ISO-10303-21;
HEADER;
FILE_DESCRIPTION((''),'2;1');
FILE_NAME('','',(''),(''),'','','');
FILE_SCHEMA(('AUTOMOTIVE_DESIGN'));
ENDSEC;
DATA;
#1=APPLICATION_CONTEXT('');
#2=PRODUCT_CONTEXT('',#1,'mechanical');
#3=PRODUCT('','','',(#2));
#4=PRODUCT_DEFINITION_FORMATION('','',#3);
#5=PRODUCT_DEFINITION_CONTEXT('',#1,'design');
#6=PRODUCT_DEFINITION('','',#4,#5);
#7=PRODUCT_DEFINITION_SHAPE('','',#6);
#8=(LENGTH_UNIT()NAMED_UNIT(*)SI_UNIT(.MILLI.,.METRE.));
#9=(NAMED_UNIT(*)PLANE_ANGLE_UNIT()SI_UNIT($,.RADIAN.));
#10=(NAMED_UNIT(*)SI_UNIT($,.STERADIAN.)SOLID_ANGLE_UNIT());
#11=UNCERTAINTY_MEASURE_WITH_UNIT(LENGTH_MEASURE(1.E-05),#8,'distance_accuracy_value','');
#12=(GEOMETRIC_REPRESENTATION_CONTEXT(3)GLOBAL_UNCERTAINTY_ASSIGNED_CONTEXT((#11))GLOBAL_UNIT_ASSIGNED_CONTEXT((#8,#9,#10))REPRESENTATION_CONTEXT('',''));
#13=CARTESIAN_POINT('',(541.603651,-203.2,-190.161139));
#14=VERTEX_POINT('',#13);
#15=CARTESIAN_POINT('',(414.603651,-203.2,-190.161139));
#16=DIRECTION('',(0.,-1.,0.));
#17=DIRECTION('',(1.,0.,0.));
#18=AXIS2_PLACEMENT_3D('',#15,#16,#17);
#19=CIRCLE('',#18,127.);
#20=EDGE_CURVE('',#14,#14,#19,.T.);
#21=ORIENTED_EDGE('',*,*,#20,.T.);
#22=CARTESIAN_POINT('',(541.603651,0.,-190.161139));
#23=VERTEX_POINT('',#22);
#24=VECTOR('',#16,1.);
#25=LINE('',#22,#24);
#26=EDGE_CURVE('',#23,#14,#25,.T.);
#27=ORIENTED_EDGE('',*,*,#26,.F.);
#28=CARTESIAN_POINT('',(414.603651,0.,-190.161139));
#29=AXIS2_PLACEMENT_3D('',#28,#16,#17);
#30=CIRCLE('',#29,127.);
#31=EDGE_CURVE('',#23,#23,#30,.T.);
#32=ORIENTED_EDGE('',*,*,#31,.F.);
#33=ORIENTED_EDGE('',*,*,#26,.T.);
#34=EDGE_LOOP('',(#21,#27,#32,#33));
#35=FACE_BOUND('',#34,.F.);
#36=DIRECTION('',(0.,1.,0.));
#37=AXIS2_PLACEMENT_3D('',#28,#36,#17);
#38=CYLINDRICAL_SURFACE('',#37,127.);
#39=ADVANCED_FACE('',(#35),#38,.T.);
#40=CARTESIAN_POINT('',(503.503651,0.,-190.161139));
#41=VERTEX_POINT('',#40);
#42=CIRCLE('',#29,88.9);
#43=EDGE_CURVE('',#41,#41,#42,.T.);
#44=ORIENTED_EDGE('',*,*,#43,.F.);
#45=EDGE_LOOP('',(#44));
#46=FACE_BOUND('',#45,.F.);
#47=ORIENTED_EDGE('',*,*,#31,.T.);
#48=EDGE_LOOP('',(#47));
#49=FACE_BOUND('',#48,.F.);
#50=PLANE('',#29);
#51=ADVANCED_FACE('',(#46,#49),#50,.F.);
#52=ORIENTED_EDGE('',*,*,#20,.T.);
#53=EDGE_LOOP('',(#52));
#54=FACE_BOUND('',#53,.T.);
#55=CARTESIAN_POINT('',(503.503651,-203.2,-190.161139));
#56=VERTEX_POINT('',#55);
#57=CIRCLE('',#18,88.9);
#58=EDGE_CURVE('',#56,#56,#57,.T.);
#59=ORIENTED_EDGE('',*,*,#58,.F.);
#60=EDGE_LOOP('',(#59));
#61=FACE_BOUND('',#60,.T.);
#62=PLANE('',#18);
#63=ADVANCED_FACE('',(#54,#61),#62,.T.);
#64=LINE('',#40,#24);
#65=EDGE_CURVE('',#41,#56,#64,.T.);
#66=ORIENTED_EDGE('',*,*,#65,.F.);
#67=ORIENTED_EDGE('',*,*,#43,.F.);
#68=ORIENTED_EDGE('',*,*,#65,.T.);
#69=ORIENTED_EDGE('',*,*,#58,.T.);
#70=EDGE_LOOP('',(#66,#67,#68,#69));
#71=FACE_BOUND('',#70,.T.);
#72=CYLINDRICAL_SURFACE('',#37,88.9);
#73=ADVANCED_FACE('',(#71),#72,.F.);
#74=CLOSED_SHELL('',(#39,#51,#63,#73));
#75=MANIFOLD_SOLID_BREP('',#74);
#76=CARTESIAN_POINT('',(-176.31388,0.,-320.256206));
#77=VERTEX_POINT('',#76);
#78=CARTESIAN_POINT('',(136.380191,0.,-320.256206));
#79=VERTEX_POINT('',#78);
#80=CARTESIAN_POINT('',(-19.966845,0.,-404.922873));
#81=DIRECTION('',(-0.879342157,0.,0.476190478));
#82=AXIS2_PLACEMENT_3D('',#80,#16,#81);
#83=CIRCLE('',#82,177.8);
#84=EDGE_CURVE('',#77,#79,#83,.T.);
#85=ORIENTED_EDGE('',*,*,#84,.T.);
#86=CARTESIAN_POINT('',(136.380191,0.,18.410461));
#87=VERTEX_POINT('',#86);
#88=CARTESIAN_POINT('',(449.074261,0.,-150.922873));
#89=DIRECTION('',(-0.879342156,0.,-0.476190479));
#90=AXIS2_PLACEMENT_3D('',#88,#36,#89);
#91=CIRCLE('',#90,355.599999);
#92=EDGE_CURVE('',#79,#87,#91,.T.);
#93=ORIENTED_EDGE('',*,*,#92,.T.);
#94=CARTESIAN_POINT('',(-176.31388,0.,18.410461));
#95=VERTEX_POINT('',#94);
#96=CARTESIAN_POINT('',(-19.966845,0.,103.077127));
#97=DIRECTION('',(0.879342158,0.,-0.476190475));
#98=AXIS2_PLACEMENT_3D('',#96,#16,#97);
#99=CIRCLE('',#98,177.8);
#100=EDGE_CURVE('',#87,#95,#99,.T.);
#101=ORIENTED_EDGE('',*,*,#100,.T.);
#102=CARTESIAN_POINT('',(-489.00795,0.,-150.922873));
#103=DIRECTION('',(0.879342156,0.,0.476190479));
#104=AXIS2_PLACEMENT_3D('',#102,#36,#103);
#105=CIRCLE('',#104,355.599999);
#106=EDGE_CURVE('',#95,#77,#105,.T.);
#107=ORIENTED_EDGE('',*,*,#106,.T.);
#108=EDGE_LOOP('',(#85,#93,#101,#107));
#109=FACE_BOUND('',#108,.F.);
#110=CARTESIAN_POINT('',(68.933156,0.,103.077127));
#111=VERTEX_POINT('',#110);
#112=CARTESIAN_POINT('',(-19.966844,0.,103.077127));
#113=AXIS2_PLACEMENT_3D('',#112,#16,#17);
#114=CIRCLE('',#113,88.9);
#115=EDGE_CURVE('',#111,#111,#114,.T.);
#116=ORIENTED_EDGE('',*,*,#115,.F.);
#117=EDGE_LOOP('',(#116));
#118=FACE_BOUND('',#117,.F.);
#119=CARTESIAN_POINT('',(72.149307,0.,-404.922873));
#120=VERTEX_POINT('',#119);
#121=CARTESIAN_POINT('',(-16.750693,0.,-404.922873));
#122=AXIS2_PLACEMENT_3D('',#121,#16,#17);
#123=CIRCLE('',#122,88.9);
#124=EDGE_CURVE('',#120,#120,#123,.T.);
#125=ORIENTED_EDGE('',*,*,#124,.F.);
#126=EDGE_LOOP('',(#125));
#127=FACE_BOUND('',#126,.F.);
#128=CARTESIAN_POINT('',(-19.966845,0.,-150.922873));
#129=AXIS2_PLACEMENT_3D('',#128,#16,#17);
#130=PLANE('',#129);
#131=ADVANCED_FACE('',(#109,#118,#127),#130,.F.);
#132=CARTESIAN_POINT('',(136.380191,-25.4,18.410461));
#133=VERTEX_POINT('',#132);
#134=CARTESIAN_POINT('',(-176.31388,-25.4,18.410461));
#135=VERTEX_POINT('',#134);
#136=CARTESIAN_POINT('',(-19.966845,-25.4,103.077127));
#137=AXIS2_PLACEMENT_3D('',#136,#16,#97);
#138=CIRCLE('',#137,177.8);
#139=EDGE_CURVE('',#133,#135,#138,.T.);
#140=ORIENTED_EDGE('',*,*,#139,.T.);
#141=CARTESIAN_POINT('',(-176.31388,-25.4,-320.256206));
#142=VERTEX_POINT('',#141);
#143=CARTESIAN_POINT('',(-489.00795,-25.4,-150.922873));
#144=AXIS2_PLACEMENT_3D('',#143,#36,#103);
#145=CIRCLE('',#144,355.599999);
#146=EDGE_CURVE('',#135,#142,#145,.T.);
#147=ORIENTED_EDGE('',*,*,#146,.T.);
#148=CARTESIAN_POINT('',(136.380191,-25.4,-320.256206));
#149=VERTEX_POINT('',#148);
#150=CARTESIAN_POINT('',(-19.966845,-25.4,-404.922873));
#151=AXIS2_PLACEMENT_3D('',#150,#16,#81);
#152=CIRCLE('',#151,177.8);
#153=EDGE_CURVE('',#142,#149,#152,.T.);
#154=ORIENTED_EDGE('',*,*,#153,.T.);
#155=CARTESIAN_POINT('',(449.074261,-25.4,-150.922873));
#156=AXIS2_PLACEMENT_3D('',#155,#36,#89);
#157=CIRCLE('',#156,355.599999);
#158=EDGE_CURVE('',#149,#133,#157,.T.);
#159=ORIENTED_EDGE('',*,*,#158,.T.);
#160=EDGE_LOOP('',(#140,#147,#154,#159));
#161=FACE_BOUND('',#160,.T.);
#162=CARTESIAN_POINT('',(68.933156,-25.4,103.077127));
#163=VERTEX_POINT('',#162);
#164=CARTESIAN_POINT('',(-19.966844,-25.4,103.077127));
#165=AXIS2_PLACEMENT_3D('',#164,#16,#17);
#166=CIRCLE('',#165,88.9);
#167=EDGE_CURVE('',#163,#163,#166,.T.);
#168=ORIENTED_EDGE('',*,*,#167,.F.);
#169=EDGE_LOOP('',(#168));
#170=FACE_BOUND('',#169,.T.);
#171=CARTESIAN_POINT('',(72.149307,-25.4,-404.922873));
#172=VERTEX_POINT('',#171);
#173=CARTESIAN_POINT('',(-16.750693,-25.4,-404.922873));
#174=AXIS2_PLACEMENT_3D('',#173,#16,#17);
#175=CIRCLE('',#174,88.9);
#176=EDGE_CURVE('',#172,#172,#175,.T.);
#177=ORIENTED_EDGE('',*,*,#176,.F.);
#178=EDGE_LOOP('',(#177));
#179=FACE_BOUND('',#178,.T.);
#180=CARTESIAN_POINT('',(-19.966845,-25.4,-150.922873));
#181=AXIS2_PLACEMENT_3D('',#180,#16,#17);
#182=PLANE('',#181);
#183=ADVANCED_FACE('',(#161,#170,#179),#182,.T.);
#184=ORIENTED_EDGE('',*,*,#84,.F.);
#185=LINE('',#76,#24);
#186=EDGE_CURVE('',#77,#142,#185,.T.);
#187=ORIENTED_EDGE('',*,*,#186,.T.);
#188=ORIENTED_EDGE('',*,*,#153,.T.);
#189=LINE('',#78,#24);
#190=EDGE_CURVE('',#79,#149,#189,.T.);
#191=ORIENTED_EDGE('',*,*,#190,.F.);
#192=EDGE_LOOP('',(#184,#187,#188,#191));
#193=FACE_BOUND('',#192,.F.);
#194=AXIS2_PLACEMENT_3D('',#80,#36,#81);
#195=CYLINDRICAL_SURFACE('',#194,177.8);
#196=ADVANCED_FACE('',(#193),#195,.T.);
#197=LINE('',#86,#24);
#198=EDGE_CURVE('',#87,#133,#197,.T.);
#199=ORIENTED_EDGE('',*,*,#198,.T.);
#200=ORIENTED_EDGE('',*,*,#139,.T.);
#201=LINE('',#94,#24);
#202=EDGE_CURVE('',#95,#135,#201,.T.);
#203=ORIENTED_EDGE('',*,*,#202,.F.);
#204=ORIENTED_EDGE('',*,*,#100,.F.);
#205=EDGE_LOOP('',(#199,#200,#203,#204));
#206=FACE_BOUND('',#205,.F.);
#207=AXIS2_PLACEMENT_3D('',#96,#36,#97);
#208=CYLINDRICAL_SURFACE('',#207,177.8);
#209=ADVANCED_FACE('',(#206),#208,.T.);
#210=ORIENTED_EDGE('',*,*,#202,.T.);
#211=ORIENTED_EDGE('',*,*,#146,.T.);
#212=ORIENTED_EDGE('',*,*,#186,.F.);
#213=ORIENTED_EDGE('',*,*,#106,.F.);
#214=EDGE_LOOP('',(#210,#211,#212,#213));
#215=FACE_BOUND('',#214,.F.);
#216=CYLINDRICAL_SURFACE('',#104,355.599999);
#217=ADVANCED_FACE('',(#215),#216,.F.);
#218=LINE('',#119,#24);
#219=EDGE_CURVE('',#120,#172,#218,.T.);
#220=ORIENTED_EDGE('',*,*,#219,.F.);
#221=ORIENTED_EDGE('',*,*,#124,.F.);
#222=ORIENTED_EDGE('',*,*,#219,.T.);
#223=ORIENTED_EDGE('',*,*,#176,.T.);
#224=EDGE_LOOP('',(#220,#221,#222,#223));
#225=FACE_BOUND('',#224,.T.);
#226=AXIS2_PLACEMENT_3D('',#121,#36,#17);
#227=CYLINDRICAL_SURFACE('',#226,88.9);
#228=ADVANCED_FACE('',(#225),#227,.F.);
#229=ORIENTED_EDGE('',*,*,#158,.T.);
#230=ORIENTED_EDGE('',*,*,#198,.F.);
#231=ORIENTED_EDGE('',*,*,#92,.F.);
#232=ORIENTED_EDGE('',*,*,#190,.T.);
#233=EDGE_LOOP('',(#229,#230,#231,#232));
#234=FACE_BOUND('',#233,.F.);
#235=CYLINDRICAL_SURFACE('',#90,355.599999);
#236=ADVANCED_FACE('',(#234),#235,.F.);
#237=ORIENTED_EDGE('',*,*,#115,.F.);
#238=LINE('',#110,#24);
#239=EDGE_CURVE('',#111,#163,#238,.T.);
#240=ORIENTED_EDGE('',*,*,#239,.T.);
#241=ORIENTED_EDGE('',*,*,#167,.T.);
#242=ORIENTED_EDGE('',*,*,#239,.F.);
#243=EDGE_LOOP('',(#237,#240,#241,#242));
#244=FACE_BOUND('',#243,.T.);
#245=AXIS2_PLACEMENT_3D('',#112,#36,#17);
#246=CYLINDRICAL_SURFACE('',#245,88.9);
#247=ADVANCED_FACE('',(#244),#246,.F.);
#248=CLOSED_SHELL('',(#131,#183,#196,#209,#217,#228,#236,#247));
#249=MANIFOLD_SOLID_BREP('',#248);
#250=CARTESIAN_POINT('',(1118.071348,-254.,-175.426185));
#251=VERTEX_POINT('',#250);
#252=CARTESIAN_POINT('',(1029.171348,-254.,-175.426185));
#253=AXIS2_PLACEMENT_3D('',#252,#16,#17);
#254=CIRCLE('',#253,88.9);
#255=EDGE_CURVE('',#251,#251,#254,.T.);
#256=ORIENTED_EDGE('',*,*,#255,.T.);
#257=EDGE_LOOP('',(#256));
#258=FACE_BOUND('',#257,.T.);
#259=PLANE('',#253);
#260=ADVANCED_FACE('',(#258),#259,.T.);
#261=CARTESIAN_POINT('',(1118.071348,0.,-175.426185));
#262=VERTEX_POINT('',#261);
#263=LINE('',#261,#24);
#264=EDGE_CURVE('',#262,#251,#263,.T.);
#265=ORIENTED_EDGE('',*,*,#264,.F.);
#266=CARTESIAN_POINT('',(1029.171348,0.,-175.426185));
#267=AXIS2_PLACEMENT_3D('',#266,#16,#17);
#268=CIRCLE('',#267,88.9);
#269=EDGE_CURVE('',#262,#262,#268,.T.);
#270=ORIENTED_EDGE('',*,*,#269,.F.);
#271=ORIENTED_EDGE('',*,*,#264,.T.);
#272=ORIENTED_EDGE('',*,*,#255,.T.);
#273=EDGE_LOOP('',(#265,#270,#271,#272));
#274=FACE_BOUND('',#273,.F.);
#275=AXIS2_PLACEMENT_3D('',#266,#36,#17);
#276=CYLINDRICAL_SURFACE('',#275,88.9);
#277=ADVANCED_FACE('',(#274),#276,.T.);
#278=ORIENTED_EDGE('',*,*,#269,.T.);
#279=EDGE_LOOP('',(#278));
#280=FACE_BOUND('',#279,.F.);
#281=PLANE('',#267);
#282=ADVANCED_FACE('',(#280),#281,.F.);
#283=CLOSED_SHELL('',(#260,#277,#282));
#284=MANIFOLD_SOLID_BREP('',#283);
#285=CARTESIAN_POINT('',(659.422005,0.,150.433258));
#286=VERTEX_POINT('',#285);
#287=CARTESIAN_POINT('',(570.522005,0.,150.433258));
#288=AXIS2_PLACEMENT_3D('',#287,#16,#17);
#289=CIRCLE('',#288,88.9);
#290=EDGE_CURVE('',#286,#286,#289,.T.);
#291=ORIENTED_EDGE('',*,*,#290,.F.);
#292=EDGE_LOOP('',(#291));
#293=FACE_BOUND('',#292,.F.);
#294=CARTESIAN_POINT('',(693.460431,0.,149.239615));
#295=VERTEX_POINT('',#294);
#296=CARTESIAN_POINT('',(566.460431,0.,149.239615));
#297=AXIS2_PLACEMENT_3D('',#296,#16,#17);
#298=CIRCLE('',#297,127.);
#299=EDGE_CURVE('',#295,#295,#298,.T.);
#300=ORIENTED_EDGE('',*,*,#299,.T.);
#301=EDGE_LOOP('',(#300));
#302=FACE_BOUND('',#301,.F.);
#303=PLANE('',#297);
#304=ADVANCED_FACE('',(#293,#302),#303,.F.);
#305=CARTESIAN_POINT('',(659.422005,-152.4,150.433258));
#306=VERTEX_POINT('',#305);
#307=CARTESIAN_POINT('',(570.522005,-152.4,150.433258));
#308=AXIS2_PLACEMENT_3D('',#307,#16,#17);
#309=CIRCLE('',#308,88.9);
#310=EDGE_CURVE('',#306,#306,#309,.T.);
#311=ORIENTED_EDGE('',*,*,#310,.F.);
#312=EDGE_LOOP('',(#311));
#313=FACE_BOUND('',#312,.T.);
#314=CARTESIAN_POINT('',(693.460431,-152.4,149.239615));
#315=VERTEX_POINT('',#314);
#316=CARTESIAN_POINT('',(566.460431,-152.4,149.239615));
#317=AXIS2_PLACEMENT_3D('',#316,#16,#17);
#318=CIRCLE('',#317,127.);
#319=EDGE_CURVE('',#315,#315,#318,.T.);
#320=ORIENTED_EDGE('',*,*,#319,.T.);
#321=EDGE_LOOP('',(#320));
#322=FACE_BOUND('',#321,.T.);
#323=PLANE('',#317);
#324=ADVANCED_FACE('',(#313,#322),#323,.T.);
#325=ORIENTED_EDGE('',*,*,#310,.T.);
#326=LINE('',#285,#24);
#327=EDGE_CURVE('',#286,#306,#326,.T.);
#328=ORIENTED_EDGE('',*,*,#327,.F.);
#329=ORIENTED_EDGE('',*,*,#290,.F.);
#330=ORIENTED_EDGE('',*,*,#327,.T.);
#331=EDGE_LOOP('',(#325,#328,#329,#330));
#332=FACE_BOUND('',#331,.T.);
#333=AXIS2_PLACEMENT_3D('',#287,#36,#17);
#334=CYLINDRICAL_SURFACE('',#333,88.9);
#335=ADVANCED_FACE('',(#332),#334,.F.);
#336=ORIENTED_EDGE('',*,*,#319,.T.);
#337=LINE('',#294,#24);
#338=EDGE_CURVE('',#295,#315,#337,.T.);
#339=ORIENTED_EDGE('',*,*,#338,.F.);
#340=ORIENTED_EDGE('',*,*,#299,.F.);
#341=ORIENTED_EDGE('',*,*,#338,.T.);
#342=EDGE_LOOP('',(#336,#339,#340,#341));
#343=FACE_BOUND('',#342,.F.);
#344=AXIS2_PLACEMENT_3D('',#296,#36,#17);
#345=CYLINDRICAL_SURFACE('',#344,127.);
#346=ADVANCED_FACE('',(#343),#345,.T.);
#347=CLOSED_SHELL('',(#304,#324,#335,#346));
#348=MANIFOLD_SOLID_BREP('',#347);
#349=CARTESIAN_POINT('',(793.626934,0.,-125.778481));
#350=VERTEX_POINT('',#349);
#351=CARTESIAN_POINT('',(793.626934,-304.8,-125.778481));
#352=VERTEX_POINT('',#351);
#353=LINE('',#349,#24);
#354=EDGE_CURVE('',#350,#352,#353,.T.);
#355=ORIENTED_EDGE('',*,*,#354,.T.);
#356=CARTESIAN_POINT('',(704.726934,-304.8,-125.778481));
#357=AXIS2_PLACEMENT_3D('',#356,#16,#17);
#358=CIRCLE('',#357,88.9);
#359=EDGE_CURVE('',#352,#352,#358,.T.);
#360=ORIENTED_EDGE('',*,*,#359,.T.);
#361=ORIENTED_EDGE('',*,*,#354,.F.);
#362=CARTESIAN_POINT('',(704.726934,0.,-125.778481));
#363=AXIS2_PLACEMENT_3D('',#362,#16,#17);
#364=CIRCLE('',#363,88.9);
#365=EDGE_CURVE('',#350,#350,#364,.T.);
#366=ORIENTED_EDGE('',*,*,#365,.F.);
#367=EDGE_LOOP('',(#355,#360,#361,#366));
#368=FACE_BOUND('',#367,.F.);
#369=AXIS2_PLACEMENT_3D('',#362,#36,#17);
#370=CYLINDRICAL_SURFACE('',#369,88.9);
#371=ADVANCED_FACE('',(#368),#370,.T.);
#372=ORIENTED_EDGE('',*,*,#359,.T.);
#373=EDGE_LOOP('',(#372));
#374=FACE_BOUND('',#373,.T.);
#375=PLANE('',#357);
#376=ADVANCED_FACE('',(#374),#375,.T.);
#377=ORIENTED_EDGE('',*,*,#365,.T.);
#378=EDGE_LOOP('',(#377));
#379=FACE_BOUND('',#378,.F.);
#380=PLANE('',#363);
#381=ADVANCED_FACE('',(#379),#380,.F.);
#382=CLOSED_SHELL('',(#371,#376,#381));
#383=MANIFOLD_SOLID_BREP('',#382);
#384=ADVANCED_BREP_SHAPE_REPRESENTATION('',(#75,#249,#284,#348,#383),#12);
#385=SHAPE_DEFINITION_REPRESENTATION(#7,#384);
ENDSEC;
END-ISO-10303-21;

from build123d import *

# Parameters (mm, degrees)
F0_R     = 88.9
F1_DEPTH = 25.4
F2_R     = 88.9
F3_DEPTH = 254
F4_R     = 88.9
F5_DEPTH = 304.8
F6_R     = 127
F6_R_2   = 88.9
F7_DEPTH = 152.4
F8_R     = 127
F8_R_2   = 88.9
F9_DEPTH = 203.2


with BuildPart() as f1:
    # F0 (on Front) → F1 (new body)
    with BuildSketch(Plane.XZ):
        with BuildLine():
            ThreePointArc((136.380191, -320.256206), (93.474262, -150.922873), (136.380191, 18.410461))
            ThreePointArc((136.380191, 18.410461), (-19.966844, 280.877127), (-176.31388, 18.410461))
            ThreePointArc((-176.31388, 18.410461), (-133.407951, -150.922873), (-176.31388, -320.256206))
            ThreePointArc((-176.31388, -320.256206), (-19.966844, -582.722873), (136.380191, -320.256206))
        make_face()
        with Locations((-16.750693, -404.922873)):
            Circle(F0_R, mode=Mode.SUBTRACT)
        with Locations((-19.966844, 103.077127)):
            Circle(F0_R, mode=Mode.SUBTRACT)
    extrude(amount=F1_DEPTH)


with BuildPart() as f3:
    # F2 (on Front) → F3 (new body)
    with BuildSketch(Plane.XZ):
        with Locations((1029.171348, -175.426185)):
            Circle(F2_R)
    extrude(amount=F3_DEPTH)


with BuildPart() as f5:
    # F4 (on Front) → F5 (new body)
    with BuildSketch(Plane.XZ):
        with Locations((704.726934, -125.778481)):
            Circle(F4_R)
    extrude(amount=F5_DEPTH)


with BuildPart() as f7:
    # F6 (on Front) → F7 (new body)
    with BuildSketch(Plane.XZ):
        with Locations((566.460431, 149.239615)):
            Circle(F6_R)
        with Locations((570.522005, 150.433258)):
            Circle(F6_R_2, mode=Mode.SUBTRACT)
    extrude(amount=F7_DEPTH)


with BuildPart() as f9:
    # F8 (on Front) → F9 (new body)
    with BuildSketch(Plane.XZ):
        with Locations((414.603651, -190.161139)):
            Circle(F8_R)
        with Locations((414.603651, -190.161139)):
            Circle(F8_R_2, mode=Mode.SUBTRACT)
    extrude(amount=F9_DEPTH)


solid = Compound([f1.part, f3.part, f5.part, f7.part, f9.part])
